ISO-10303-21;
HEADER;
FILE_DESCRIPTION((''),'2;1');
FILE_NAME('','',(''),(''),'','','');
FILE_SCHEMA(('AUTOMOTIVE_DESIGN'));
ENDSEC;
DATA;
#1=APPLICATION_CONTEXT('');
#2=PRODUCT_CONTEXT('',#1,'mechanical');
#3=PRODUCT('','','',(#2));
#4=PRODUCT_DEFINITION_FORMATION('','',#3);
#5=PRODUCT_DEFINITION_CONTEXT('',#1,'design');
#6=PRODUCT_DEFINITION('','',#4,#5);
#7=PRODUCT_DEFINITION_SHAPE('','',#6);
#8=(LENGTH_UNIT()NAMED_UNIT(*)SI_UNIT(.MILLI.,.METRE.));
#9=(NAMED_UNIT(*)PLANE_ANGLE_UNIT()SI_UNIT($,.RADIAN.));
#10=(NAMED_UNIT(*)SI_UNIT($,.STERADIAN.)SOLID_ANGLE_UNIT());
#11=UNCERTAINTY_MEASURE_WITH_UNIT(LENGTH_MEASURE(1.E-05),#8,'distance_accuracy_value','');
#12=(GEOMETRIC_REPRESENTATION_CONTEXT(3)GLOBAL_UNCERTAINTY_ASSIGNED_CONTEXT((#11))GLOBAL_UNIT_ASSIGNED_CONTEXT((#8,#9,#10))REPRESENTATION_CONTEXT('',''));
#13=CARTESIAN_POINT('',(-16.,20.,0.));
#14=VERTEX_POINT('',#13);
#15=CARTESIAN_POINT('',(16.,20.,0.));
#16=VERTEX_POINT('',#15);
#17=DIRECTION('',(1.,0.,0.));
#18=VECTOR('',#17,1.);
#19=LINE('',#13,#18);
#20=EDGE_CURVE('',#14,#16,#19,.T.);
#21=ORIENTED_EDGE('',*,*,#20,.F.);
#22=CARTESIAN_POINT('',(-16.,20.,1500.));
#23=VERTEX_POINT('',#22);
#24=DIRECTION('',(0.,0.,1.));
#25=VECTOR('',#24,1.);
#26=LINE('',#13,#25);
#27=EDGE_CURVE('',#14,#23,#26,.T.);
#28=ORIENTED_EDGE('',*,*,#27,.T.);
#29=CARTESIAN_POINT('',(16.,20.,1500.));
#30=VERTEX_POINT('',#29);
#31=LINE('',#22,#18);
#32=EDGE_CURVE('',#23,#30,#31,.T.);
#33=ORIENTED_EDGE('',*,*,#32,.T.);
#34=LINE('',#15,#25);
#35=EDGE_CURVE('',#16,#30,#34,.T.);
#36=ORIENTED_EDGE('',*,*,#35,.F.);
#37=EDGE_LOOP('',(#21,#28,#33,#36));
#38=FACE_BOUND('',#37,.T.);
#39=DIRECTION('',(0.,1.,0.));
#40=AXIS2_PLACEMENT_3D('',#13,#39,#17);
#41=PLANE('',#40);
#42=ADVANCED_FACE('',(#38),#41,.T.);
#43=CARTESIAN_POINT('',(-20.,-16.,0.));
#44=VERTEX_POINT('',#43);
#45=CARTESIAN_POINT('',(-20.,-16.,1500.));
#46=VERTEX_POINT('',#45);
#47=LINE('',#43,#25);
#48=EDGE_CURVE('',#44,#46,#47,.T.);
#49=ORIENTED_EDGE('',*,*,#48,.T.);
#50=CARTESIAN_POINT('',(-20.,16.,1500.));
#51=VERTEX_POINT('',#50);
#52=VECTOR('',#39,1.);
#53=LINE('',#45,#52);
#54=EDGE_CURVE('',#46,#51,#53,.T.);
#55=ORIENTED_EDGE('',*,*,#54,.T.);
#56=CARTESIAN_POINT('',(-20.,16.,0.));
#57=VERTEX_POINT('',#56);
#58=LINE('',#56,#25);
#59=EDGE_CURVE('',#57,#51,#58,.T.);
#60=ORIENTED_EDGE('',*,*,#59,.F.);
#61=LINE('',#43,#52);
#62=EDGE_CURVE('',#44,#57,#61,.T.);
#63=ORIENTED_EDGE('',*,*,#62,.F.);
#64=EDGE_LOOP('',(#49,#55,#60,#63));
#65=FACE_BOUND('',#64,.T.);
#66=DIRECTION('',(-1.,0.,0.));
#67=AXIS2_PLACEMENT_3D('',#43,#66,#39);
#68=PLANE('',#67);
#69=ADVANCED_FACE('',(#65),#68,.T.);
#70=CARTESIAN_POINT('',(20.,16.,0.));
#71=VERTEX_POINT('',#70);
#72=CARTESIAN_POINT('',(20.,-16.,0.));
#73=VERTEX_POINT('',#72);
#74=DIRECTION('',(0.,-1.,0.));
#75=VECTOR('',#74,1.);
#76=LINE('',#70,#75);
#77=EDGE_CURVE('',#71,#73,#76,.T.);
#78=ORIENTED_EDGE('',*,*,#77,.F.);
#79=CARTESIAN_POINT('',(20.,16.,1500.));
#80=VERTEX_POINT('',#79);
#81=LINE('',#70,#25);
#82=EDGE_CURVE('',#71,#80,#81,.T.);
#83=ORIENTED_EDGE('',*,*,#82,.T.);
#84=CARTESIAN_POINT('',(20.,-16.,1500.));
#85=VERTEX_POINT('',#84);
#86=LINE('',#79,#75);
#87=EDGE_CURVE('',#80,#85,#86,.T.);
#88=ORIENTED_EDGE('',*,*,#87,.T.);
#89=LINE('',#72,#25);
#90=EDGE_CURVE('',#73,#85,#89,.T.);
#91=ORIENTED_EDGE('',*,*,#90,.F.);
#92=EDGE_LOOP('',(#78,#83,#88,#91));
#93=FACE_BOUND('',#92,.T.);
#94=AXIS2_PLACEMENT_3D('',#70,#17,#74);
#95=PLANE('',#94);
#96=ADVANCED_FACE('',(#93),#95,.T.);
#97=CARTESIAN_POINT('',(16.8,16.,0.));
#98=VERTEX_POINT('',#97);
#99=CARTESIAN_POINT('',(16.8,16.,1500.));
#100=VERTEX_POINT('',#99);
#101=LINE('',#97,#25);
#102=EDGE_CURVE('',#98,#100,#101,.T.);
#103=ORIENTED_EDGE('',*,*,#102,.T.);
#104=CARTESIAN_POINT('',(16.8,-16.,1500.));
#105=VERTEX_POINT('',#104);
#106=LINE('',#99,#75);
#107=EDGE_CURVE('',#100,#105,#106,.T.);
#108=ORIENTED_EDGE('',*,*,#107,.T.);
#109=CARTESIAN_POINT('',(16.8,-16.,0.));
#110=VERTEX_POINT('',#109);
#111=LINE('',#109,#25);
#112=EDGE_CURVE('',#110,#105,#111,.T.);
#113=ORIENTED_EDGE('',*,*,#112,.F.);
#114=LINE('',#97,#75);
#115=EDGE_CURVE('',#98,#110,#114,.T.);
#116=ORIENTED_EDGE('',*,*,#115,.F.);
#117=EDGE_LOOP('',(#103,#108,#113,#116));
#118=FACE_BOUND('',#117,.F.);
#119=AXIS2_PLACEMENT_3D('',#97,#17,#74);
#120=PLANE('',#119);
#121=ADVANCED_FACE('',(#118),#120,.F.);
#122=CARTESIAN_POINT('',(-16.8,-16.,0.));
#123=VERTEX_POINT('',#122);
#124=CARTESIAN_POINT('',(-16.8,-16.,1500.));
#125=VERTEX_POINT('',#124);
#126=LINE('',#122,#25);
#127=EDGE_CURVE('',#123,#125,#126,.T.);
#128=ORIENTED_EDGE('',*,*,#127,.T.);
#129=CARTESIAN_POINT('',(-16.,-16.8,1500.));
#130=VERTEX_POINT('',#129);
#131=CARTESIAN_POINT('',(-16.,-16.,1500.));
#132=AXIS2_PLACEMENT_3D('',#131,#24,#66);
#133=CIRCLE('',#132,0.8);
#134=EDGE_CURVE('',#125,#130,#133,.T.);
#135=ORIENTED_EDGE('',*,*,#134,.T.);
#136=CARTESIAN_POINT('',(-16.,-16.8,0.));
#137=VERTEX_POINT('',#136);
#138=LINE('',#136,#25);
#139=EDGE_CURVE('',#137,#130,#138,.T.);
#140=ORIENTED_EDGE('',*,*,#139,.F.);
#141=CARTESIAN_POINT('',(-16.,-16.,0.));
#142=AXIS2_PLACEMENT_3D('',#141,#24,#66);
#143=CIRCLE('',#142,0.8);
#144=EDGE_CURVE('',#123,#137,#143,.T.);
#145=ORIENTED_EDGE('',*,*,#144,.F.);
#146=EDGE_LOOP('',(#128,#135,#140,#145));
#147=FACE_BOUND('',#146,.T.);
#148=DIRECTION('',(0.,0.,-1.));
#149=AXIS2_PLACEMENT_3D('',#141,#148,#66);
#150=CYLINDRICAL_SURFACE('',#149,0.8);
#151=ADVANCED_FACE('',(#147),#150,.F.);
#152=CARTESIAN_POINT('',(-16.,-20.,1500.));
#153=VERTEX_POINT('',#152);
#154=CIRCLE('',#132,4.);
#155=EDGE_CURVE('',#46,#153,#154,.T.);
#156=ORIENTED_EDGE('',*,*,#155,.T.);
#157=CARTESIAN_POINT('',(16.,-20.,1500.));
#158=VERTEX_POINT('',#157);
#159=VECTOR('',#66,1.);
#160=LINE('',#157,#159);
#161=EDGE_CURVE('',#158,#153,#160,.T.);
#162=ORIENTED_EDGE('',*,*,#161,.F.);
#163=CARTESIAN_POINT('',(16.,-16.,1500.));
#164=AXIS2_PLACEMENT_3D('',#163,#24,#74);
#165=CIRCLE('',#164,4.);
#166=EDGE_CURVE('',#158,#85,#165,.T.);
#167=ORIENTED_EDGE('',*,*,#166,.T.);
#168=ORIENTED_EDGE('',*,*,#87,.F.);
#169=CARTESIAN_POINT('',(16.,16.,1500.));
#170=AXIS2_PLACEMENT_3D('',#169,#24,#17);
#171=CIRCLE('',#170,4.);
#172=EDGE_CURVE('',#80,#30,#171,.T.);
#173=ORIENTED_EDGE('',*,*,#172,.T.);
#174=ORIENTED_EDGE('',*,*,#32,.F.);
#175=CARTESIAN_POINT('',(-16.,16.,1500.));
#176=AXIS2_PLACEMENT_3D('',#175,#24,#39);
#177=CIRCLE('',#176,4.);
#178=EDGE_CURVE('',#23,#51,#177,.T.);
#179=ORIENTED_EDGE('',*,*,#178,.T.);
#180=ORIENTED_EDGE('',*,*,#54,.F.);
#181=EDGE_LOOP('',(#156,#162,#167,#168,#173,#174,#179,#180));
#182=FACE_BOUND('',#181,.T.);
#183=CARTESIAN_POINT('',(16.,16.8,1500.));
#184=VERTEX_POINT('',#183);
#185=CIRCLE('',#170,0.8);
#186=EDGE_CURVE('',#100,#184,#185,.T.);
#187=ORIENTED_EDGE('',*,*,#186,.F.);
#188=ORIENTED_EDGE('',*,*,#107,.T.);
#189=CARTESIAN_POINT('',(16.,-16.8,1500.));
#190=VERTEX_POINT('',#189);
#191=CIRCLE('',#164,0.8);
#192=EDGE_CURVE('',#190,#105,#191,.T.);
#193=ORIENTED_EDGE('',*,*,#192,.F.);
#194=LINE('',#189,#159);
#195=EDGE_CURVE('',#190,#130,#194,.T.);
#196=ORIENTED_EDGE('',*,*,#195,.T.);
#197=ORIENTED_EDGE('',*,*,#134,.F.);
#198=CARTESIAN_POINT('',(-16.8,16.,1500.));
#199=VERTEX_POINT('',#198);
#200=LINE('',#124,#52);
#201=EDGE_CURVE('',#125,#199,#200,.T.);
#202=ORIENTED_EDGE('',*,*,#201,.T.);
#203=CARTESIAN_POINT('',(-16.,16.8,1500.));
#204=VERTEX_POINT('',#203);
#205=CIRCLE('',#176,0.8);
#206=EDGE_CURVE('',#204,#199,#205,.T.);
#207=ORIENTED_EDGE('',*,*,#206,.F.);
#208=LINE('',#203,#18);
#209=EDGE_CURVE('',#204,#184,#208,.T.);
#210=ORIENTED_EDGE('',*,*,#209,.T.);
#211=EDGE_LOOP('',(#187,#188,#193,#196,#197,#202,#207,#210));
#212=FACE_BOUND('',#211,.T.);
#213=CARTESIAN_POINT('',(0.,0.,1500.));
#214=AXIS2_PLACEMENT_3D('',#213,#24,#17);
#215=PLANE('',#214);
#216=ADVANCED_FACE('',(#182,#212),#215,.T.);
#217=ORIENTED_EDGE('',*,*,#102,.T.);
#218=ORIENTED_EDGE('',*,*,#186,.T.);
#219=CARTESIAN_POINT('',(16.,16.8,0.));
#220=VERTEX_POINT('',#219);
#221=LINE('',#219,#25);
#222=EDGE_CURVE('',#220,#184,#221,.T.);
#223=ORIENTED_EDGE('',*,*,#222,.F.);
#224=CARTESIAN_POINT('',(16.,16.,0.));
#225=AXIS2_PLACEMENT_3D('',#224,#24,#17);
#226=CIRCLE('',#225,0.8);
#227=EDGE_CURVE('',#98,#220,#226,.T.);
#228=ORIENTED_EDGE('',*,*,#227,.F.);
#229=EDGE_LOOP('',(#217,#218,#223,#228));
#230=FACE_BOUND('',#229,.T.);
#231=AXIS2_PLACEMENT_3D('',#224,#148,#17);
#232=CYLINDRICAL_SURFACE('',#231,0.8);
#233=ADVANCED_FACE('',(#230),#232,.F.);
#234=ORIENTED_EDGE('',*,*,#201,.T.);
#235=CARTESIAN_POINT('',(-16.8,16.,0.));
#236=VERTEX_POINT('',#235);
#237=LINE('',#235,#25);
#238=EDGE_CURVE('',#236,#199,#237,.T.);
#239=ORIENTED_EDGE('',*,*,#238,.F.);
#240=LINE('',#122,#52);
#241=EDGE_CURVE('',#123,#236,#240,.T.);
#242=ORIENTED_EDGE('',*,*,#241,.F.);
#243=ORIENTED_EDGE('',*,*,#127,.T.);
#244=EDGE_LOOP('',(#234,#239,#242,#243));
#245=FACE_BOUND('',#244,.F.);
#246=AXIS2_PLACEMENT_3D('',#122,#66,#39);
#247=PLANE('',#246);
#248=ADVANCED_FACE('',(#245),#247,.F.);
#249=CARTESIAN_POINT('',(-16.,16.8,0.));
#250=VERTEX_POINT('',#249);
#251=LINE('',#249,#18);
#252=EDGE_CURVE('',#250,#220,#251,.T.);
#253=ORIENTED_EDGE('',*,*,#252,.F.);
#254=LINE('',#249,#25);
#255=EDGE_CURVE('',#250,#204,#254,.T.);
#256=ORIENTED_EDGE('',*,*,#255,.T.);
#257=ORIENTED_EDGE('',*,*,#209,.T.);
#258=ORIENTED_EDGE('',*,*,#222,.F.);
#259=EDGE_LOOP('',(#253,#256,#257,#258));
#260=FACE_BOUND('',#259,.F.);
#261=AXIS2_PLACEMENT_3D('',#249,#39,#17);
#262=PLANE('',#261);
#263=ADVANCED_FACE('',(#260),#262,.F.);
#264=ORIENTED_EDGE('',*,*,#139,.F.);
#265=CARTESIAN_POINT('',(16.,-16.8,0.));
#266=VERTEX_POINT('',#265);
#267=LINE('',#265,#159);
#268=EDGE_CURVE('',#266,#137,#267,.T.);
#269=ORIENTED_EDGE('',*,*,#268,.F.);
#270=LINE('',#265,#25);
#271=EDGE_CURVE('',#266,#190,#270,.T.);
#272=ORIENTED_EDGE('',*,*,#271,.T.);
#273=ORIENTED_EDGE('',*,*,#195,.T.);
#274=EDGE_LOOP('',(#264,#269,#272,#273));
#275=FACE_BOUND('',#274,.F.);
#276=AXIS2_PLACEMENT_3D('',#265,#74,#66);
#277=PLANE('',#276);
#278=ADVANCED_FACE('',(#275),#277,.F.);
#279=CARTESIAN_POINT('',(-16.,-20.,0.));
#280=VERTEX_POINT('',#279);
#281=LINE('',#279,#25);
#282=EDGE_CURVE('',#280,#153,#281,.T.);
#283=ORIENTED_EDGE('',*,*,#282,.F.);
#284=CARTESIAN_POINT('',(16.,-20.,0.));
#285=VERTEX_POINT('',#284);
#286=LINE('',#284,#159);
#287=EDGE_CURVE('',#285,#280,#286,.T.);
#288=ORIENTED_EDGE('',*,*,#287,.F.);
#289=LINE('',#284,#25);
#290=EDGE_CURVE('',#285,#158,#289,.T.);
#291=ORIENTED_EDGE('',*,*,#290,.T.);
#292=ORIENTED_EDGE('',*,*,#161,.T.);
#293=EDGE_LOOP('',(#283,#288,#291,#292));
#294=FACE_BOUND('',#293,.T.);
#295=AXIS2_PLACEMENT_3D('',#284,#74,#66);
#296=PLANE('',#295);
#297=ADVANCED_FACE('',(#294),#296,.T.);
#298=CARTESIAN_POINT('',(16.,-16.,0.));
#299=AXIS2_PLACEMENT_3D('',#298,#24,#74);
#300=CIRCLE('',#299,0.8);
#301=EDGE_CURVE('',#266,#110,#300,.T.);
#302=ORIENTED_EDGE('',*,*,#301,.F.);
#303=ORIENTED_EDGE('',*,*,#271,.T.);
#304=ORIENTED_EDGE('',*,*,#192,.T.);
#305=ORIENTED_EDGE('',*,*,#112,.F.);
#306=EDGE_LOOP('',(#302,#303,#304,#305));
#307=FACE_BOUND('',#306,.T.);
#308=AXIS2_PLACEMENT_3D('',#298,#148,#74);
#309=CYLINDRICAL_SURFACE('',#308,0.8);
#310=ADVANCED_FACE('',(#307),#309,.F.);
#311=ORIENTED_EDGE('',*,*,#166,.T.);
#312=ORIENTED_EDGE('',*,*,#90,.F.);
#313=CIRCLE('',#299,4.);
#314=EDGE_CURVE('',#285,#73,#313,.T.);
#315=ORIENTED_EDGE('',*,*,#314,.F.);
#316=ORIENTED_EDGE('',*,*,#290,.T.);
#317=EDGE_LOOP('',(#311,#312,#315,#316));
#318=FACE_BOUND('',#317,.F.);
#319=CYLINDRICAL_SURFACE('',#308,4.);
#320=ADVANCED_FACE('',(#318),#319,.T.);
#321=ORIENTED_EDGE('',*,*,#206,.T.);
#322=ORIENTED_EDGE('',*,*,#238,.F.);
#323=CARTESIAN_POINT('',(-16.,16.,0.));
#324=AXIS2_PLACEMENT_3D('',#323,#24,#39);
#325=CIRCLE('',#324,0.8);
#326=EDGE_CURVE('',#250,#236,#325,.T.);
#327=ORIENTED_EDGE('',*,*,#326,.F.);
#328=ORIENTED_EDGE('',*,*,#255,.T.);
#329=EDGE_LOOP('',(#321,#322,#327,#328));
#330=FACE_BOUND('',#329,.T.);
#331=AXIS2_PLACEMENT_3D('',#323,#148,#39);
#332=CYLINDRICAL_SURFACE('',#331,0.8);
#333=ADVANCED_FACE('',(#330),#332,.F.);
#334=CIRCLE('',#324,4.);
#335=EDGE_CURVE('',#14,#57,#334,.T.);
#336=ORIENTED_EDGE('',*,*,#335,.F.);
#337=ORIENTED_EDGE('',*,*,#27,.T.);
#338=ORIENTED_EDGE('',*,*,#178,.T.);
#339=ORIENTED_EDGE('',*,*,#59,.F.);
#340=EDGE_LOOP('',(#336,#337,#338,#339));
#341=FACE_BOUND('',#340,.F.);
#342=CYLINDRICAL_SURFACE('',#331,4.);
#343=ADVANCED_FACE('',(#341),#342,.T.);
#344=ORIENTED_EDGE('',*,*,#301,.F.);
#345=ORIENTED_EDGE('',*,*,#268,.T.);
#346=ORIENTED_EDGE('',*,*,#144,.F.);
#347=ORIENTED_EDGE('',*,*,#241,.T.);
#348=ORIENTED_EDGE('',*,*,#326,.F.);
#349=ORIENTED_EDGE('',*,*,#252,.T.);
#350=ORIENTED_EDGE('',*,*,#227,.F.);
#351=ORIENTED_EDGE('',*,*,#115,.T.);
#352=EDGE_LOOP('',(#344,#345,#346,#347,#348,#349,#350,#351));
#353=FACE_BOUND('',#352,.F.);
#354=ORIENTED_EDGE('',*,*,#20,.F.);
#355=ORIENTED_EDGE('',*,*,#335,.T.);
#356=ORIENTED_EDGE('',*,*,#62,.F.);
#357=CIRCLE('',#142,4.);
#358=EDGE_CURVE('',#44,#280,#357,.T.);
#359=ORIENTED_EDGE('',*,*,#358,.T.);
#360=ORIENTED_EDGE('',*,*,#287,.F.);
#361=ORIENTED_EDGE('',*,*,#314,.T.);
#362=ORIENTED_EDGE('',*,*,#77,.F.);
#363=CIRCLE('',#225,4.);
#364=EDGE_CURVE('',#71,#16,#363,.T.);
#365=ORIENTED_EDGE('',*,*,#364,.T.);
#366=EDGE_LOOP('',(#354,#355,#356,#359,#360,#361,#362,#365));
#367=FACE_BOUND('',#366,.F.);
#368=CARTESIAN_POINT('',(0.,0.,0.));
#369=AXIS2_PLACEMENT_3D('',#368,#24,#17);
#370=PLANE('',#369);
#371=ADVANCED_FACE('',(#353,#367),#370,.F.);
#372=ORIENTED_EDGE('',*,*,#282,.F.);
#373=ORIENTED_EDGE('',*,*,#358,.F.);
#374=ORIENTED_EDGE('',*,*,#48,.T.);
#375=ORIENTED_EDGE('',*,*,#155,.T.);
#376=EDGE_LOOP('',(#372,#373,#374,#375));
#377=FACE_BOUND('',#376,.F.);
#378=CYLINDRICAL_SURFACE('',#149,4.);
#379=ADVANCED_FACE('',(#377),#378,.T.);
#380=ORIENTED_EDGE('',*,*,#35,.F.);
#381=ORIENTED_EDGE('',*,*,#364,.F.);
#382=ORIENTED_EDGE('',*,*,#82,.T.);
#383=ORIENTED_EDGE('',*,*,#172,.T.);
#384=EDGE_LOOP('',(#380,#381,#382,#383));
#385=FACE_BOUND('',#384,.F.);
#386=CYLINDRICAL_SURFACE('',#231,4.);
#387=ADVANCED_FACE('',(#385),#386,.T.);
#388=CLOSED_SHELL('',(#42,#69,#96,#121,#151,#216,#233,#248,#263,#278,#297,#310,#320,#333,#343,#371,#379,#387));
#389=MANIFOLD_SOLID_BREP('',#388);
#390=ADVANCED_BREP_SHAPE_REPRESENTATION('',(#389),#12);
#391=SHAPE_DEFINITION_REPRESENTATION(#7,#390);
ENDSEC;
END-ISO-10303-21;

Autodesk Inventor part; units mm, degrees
ref_plane "YZ Plane" through (0, 0, 0) normal (1, 0, 0) x (0, 1, 0)
ref_plane "Płaszczyzna początkowa" through (0, 0, 0) normal (0, 0, 1) x (1, 0, 0)
ref_plane "Płaszczyzna końcowa" through (0, 0, 1500) normal (0, 0, 1) x (1, 0, 0)
sketch "Szkic" plane through (0, 0, 0) normal (0, 0, 1) x (1, 0, 0)
  line L0 (-20, -16) -> (-20, 16)
  line L1 (-16, 20) -> (16, 20)
  line L2 (20, 16) -> (20, -16)
  line L3 (16, -20) -> (-16, -20)
  arc A0 (-20, -16) -> (-16, -20) centre (-16, -16) ccw
  arc A1 (-16, 20) -> (-20, 16) centre (-16, 16) ccw
  arc A2 (20, 16) -> (16, 20) centre (16, 16) ccw
  arc A3 (16, -20) -> (20, -16) centre (16, -16) ccw
  arc A4 (-16, 16.8) -> (-16.8, 16) centre (-16, 16) ccw
  line L4 (-16, 16.8) -> (16, 16.8)
  arc A5 (16.8, 16) -> (16, 16.8) centre (16, 16) ccw
  line L5 (16.8, 16) -> (16.8, -16)
  arc A6 (16, -16.8) -> (16.8, -16) centre (16, -16) ccw
  line L6 (16, -16.8) -> (-16, -16.8)
  arc A7 (-16.8, -16) -> (-16, -16.8) centre (-16, -16) ccw
  line L7 (-16.8, -16) -> (-16.8, 16)
  line L8 (0, 29.1598) -> (0, -29.1598) construction
  line L9 (-29.1598, 0) -> (29.1598, 0) construction
  dimension "d7" = 4
  dimension "d10" = 40
  dimension "d11" = 40
  dimension "d12" = 3.2
  dimension "d15" = 20
  dimension "d16" = 20
extrude "Bryła" add sketch "Szkic" along normal up to surface (1500 mm away) from surface at 0
sketch "Sketch3" plane through (0, 0, 0) normal (0, 0, 1) x (1, 0, 0)
  line L0 (0, 0) -> (10, 0)
ref_plane "Work Plane3" through (0, 0, 0) normal (0, -1, 0) x (1, 0, 0)
sketch "Sketch4" plane through (0, 0, 0) normal (0, -1, 0) x (1, 0, 0)
  line L0 (-2, 0) -> (12, 0)
  line L1 (-2, 1500) -> (12, 1500)
  dimension "d18" = 1500
equation "\"d7\" = G_IR"
equation "\"d10\" = G_H"
equation "\"d11\" = G_W"
equation "\"d12\" = G_T"
equation "\"d15\" = 0.5 * d10"
equation "\"d16\" = 0.5 * d11"
equation "\"d3\" = G_L"
equation "\"G_W\" = 40"
equation "\"G_H\" = 40"
equation "\"G_T\" = 3.2"
equation "\"G_IR\" = 4"
equation "\"G_L\" = d18"
equation "\"G_OFFSET_START\" = 0"
equation "\"G_OFFSET_END\" = 0"
properties part number "NF A 49-501 - 40x3.2 - 1500" material "Stal, miękka"
